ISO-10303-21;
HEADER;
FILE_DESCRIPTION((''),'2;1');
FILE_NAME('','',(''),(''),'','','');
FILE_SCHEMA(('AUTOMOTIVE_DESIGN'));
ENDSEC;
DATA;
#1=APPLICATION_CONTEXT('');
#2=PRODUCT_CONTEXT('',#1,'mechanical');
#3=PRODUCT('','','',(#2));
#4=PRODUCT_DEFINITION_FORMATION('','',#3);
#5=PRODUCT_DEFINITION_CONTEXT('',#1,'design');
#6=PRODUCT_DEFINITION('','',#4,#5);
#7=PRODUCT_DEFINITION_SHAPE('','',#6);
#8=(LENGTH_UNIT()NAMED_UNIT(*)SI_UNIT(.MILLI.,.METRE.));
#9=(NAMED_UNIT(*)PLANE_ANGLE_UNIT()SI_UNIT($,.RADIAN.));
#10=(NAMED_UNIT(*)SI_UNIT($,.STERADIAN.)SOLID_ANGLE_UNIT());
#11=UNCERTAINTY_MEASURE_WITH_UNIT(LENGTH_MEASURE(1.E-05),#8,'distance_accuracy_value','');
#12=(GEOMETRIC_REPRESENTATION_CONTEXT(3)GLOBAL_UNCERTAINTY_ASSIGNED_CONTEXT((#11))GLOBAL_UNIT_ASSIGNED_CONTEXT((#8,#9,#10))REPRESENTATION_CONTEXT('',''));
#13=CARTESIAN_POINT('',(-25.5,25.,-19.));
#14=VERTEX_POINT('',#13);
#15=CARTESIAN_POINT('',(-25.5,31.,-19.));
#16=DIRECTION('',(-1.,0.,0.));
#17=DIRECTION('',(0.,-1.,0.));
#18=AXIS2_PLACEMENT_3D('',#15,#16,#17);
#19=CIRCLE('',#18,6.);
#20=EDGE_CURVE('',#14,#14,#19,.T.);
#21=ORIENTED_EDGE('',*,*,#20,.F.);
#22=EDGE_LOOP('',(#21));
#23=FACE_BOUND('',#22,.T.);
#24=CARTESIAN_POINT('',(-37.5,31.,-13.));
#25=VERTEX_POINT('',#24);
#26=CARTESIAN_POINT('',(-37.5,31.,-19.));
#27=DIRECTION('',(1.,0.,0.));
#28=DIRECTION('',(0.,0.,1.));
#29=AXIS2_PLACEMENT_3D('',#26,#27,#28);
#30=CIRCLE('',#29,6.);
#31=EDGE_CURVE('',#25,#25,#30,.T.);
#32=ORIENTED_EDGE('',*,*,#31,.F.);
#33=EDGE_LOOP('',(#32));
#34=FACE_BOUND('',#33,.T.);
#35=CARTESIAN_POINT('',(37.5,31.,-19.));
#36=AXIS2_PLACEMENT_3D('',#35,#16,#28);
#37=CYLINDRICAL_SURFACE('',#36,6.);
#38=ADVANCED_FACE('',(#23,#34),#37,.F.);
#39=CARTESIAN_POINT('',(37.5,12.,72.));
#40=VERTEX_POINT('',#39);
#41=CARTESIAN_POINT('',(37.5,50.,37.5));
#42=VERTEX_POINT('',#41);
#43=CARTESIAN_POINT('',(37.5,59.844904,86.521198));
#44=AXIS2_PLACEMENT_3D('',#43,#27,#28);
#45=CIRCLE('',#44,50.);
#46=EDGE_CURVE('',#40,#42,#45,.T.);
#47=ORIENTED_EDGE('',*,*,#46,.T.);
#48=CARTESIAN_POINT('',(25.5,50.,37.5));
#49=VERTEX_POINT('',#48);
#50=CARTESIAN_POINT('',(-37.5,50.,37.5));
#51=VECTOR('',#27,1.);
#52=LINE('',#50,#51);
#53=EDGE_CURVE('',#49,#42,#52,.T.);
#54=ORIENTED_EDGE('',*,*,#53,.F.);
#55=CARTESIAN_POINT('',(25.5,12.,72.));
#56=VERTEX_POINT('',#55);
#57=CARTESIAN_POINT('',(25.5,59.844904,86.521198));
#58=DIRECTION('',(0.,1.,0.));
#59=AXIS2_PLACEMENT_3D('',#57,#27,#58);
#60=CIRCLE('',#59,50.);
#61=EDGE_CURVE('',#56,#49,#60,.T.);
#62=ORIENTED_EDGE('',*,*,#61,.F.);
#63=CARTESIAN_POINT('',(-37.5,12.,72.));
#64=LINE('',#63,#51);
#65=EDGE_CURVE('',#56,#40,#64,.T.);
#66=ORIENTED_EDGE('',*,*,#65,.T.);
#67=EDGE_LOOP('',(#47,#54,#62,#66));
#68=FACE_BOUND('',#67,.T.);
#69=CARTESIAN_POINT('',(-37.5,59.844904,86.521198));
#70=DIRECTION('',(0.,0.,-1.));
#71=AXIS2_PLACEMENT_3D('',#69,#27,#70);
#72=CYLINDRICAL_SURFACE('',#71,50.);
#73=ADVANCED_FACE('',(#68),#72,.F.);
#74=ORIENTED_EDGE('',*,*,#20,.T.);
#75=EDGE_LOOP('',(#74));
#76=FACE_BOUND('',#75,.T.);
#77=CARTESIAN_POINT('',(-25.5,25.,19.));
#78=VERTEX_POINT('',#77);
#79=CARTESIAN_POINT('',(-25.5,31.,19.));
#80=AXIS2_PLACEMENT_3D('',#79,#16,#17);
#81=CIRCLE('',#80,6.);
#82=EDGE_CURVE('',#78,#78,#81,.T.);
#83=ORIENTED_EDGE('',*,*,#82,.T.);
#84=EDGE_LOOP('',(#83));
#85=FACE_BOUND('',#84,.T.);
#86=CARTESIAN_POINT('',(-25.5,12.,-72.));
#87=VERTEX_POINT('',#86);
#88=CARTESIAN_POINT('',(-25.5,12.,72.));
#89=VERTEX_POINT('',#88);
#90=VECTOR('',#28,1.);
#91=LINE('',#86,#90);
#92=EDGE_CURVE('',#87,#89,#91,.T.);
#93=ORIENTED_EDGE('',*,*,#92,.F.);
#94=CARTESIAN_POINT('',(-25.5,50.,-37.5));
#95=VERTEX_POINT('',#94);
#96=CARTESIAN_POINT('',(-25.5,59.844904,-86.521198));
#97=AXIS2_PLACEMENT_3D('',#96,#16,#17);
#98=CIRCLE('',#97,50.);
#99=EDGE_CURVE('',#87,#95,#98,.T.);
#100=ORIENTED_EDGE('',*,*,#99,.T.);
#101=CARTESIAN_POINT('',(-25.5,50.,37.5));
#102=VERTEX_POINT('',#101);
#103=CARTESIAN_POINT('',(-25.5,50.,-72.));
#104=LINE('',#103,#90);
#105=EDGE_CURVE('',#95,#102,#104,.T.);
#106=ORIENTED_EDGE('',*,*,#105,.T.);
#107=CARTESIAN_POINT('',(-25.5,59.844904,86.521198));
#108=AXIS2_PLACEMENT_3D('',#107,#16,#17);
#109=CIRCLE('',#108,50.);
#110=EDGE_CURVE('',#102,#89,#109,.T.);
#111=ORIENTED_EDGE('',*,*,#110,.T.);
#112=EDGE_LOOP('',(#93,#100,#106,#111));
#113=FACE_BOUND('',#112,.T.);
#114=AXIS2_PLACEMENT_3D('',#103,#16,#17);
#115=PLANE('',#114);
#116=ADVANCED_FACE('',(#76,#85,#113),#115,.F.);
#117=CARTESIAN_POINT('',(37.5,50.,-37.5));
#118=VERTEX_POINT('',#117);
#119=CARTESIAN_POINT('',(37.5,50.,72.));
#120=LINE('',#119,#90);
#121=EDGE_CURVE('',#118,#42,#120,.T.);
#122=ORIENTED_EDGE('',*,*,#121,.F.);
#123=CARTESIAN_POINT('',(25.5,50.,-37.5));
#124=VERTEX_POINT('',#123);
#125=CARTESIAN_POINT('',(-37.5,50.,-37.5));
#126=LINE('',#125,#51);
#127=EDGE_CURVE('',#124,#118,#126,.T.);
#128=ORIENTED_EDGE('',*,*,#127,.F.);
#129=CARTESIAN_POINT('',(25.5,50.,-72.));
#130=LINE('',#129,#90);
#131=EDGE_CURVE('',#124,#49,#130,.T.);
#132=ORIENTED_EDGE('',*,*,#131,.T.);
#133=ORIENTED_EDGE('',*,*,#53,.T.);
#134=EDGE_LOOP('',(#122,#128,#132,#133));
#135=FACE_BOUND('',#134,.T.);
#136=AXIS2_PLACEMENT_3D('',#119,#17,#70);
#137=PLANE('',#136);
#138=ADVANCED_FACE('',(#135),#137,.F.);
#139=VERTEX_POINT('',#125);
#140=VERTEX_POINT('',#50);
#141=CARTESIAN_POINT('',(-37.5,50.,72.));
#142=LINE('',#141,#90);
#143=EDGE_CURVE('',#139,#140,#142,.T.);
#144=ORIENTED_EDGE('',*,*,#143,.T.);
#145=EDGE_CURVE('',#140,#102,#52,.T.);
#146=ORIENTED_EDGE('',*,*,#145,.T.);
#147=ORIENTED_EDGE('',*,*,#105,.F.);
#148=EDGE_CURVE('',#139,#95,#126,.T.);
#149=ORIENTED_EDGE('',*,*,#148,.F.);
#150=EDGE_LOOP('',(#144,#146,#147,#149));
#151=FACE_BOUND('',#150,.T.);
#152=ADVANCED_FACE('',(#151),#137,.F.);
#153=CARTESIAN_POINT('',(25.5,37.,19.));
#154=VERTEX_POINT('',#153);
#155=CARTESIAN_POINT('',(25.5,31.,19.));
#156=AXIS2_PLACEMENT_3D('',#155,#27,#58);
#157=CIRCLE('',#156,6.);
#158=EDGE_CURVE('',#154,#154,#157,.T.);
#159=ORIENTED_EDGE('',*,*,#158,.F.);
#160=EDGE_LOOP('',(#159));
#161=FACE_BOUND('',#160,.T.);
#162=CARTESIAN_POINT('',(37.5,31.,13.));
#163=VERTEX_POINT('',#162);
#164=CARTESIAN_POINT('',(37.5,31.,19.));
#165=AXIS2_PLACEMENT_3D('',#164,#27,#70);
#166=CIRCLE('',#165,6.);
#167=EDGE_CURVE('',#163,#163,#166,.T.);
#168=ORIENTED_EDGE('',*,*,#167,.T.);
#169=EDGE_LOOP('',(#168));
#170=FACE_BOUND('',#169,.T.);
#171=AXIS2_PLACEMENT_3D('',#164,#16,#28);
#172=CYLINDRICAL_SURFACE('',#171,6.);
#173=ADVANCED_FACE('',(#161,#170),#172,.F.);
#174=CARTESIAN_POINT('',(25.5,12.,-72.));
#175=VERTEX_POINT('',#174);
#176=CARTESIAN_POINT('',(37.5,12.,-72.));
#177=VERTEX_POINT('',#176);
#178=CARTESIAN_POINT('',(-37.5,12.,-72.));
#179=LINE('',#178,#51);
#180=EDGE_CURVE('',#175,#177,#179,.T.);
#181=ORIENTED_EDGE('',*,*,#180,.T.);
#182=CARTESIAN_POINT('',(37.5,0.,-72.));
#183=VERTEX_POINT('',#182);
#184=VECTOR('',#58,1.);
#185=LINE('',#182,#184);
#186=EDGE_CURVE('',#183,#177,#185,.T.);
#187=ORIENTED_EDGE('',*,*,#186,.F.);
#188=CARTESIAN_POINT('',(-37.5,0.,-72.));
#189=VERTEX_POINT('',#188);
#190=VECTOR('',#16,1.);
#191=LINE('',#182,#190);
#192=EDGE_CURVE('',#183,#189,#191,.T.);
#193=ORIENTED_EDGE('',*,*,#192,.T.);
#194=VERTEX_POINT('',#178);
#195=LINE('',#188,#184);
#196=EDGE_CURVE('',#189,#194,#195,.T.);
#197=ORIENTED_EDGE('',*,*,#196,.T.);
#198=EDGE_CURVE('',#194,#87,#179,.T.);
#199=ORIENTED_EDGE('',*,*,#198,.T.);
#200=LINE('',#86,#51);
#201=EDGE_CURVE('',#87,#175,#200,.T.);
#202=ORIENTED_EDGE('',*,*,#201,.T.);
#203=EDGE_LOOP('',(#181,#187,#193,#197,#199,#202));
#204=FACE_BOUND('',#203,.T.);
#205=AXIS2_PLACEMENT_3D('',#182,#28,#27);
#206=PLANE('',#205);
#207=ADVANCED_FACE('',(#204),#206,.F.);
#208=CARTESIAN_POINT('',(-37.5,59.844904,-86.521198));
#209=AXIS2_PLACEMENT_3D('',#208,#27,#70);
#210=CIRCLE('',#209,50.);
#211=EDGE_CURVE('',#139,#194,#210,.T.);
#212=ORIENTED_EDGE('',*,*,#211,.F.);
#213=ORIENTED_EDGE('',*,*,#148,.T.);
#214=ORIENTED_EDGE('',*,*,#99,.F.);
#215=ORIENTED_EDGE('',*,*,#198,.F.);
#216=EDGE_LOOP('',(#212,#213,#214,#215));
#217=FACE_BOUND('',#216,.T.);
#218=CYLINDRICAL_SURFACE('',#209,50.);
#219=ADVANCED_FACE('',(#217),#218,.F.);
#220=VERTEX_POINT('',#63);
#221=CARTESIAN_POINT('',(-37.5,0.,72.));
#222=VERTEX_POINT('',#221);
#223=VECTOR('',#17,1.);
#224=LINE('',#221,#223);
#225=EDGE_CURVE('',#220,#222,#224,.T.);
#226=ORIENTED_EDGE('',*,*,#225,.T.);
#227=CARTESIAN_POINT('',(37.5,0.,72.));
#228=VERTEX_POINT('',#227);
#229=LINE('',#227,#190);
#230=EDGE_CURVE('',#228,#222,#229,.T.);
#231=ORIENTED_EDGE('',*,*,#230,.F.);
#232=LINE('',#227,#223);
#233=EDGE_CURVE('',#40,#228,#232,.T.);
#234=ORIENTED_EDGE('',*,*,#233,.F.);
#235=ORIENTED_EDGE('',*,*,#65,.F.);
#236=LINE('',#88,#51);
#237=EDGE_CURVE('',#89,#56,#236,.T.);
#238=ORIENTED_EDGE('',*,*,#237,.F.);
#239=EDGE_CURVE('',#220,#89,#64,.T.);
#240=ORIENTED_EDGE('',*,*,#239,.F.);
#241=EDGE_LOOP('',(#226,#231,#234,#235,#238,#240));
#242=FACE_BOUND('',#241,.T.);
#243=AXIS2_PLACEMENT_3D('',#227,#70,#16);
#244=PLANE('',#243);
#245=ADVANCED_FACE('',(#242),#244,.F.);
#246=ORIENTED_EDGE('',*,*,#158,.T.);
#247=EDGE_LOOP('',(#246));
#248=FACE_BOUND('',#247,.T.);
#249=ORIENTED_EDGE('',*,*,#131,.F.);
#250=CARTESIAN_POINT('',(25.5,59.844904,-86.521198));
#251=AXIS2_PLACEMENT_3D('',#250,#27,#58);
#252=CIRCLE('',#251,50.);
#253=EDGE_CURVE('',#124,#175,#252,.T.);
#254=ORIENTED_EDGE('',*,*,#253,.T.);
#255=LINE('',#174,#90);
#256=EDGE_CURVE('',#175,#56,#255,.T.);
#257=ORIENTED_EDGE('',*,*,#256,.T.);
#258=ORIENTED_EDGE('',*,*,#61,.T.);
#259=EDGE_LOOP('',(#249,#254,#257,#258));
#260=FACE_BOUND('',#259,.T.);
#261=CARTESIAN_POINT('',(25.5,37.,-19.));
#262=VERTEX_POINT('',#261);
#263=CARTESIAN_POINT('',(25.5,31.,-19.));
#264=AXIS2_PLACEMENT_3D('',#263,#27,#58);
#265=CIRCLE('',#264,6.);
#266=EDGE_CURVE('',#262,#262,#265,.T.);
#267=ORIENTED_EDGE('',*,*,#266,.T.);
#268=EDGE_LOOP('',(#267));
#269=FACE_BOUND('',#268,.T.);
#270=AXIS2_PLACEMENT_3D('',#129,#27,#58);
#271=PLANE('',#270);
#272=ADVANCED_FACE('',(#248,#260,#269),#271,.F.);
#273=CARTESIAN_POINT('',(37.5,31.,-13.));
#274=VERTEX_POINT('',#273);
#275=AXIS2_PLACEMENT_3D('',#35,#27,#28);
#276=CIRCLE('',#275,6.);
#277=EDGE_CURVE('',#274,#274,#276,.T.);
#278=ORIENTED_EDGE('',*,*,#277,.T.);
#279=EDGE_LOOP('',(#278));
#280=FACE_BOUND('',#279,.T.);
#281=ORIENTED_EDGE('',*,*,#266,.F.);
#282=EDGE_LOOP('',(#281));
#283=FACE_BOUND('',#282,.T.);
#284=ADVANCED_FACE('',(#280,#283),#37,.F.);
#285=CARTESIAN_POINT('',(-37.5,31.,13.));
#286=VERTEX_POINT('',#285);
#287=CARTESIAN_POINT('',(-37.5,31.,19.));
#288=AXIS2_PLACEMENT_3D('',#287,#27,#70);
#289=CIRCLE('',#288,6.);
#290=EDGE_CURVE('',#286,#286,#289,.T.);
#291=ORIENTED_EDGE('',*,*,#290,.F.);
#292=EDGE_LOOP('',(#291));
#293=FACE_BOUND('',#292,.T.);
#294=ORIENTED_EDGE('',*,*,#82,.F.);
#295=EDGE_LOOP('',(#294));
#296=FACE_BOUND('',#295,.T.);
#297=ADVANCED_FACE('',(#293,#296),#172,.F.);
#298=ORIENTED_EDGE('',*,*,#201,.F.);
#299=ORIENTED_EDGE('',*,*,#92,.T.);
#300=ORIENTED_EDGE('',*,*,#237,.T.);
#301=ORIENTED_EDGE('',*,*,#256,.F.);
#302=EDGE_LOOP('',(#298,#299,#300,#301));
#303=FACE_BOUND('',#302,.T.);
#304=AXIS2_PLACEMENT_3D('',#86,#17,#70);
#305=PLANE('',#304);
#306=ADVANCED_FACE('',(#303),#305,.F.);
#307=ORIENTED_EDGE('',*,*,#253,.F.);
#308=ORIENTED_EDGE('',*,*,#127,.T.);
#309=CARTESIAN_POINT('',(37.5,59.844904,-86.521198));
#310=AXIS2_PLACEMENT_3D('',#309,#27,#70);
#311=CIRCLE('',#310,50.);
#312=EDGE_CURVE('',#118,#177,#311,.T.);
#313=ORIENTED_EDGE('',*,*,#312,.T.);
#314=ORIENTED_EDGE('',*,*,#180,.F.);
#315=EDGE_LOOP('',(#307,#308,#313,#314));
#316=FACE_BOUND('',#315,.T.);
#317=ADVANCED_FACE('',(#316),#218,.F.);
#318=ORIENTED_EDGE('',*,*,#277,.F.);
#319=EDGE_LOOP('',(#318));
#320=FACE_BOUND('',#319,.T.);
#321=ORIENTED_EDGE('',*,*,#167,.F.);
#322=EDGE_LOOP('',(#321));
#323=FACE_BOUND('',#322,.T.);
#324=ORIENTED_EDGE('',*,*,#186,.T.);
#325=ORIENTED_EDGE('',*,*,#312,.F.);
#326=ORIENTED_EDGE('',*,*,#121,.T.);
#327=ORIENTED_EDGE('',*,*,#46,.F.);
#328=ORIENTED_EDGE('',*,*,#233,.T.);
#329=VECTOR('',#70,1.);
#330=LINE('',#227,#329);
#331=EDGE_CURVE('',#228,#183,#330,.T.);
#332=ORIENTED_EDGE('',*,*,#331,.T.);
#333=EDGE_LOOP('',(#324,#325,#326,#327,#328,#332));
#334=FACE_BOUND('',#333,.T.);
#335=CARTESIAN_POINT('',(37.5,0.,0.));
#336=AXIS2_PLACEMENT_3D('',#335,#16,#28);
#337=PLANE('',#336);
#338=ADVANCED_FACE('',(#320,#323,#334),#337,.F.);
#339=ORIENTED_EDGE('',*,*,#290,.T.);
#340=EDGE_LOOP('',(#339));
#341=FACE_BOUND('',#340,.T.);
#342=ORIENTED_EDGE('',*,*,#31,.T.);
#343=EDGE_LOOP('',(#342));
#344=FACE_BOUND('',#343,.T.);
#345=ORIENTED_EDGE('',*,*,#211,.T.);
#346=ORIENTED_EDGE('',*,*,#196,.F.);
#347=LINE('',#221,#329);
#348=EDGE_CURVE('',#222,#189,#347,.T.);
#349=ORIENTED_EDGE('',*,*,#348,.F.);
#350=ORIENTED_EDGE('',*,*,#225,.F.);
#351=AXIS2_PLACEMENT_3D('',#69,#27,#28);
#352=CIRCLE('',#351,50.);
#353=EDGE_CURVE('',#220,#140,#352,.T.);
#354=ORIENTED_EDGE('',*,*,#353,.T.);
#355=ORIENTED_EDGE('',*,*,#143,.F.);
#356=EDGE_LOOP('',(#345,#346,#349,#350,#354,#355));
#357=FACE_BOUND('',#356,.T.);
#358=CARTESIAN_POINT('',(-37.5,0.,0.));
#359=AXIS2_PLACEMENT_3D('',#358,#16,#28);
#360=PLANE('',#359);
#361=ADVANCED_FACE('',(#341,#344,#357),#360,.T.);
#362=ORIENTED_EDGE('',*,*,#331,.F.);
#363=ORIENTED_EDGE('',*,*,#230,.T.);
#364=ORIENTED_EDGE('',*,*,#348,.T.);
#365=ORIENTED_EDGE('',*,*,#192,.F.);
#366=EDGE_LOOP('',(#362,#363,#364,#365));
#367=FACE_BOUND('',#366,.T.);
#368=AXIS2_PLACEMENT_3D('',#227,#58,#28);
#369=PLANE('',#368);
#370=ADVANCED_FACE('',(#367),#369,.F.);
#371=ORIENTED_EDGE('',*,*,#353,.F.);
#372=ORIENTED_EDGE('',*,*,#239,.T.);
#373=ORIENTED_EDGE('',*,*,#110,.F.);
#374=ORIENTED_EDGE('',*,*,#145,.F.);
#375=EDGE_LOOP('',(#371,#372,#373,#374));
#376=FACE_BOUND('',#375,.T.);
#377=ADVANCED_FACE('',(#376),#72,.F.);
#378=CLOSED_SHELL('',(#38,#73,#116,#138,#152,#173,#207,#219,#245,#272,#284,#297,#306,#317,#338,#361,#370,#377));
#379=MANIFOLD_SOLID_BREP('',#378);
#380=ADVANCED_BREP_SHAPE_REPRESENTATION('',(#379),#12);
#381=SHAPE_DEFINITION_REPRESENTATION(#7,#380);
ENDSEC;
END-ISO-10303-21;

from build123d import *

# Parameters (mm, degrees)
SKETCH1_W           = 144
SKETCH1_H           = 50
SKETCH1_R           = 6
BOSS_EXTRUDE1_DEPTH = 37.5
SKETCH2_W           = 51
SKETCH2_H           = 38
CUT_EXTRUDE1_DEPTH  = 157.978501713
CUT_EXTRUDE2_DEPTH  = 116.364639296


with BuildPart() as part:
    # Sketch1 → Boss-Extrude1 (new, symmetric)
    with BuildSketch(Plane(origin=(0, 0, 0), x_dir=(0, 0, -1), z_dir=(1, 0, 0))):
        with Locations((0, 25)):
            Rectangle(SKETCH1_W, SKETCH1_H)
        with Locations((-19, 31)):
            Circle(SKETCH1_R, mode=Mode.SUBTRACT)
        with Locations(Location((19, 31, 0), (0, 0, 180))):
            Circle(SKETCH1_R, mode=Mode.SUBTRACT)
    extrude(amount=BOSS_EXTRUDE1_DEPTH, both=True)

    # Sketch2 → Cut-Extrude1 (cut, through all)
    with BuildSketch(Plane.XY.offset(72)):
        with Locations((0, 31)):
            Rectangle(SKETCH2_W, SKETCH2_H)
    extrude(amount=-CUT_EXTRUDE1_DEPTH, mode=Mode.SUBTRACT)

    # Sketch3 → Cut-Extrude2 (cut, through all)
    with BuildSketch(Plane(origin=(37.5, 0, 0), x_dir=(0, 0, -1), z_dir=(1, 0, 0))):
        with BuildLine():
            Line((72, 12), (72, 50))
            Line((72, 50), (37.5, 50))
            ThreePointArc((37.5, 50), (49.502162082, 26.235515574), (72, 12))
        make_face()
        with BuildLine():
            Line((-72, 50), (-37.5, 50))
            ThreePointArc((-37.5, 50), (-49.502162082, 26.235515574), (-72, 12))
            Line((-72, 12), (-72, 50))
        make_face()
    extrude(amount=-CUT_EXTRUDE2_DEPTH, mode=Mode.SUBTRACT)


solid = part.part
